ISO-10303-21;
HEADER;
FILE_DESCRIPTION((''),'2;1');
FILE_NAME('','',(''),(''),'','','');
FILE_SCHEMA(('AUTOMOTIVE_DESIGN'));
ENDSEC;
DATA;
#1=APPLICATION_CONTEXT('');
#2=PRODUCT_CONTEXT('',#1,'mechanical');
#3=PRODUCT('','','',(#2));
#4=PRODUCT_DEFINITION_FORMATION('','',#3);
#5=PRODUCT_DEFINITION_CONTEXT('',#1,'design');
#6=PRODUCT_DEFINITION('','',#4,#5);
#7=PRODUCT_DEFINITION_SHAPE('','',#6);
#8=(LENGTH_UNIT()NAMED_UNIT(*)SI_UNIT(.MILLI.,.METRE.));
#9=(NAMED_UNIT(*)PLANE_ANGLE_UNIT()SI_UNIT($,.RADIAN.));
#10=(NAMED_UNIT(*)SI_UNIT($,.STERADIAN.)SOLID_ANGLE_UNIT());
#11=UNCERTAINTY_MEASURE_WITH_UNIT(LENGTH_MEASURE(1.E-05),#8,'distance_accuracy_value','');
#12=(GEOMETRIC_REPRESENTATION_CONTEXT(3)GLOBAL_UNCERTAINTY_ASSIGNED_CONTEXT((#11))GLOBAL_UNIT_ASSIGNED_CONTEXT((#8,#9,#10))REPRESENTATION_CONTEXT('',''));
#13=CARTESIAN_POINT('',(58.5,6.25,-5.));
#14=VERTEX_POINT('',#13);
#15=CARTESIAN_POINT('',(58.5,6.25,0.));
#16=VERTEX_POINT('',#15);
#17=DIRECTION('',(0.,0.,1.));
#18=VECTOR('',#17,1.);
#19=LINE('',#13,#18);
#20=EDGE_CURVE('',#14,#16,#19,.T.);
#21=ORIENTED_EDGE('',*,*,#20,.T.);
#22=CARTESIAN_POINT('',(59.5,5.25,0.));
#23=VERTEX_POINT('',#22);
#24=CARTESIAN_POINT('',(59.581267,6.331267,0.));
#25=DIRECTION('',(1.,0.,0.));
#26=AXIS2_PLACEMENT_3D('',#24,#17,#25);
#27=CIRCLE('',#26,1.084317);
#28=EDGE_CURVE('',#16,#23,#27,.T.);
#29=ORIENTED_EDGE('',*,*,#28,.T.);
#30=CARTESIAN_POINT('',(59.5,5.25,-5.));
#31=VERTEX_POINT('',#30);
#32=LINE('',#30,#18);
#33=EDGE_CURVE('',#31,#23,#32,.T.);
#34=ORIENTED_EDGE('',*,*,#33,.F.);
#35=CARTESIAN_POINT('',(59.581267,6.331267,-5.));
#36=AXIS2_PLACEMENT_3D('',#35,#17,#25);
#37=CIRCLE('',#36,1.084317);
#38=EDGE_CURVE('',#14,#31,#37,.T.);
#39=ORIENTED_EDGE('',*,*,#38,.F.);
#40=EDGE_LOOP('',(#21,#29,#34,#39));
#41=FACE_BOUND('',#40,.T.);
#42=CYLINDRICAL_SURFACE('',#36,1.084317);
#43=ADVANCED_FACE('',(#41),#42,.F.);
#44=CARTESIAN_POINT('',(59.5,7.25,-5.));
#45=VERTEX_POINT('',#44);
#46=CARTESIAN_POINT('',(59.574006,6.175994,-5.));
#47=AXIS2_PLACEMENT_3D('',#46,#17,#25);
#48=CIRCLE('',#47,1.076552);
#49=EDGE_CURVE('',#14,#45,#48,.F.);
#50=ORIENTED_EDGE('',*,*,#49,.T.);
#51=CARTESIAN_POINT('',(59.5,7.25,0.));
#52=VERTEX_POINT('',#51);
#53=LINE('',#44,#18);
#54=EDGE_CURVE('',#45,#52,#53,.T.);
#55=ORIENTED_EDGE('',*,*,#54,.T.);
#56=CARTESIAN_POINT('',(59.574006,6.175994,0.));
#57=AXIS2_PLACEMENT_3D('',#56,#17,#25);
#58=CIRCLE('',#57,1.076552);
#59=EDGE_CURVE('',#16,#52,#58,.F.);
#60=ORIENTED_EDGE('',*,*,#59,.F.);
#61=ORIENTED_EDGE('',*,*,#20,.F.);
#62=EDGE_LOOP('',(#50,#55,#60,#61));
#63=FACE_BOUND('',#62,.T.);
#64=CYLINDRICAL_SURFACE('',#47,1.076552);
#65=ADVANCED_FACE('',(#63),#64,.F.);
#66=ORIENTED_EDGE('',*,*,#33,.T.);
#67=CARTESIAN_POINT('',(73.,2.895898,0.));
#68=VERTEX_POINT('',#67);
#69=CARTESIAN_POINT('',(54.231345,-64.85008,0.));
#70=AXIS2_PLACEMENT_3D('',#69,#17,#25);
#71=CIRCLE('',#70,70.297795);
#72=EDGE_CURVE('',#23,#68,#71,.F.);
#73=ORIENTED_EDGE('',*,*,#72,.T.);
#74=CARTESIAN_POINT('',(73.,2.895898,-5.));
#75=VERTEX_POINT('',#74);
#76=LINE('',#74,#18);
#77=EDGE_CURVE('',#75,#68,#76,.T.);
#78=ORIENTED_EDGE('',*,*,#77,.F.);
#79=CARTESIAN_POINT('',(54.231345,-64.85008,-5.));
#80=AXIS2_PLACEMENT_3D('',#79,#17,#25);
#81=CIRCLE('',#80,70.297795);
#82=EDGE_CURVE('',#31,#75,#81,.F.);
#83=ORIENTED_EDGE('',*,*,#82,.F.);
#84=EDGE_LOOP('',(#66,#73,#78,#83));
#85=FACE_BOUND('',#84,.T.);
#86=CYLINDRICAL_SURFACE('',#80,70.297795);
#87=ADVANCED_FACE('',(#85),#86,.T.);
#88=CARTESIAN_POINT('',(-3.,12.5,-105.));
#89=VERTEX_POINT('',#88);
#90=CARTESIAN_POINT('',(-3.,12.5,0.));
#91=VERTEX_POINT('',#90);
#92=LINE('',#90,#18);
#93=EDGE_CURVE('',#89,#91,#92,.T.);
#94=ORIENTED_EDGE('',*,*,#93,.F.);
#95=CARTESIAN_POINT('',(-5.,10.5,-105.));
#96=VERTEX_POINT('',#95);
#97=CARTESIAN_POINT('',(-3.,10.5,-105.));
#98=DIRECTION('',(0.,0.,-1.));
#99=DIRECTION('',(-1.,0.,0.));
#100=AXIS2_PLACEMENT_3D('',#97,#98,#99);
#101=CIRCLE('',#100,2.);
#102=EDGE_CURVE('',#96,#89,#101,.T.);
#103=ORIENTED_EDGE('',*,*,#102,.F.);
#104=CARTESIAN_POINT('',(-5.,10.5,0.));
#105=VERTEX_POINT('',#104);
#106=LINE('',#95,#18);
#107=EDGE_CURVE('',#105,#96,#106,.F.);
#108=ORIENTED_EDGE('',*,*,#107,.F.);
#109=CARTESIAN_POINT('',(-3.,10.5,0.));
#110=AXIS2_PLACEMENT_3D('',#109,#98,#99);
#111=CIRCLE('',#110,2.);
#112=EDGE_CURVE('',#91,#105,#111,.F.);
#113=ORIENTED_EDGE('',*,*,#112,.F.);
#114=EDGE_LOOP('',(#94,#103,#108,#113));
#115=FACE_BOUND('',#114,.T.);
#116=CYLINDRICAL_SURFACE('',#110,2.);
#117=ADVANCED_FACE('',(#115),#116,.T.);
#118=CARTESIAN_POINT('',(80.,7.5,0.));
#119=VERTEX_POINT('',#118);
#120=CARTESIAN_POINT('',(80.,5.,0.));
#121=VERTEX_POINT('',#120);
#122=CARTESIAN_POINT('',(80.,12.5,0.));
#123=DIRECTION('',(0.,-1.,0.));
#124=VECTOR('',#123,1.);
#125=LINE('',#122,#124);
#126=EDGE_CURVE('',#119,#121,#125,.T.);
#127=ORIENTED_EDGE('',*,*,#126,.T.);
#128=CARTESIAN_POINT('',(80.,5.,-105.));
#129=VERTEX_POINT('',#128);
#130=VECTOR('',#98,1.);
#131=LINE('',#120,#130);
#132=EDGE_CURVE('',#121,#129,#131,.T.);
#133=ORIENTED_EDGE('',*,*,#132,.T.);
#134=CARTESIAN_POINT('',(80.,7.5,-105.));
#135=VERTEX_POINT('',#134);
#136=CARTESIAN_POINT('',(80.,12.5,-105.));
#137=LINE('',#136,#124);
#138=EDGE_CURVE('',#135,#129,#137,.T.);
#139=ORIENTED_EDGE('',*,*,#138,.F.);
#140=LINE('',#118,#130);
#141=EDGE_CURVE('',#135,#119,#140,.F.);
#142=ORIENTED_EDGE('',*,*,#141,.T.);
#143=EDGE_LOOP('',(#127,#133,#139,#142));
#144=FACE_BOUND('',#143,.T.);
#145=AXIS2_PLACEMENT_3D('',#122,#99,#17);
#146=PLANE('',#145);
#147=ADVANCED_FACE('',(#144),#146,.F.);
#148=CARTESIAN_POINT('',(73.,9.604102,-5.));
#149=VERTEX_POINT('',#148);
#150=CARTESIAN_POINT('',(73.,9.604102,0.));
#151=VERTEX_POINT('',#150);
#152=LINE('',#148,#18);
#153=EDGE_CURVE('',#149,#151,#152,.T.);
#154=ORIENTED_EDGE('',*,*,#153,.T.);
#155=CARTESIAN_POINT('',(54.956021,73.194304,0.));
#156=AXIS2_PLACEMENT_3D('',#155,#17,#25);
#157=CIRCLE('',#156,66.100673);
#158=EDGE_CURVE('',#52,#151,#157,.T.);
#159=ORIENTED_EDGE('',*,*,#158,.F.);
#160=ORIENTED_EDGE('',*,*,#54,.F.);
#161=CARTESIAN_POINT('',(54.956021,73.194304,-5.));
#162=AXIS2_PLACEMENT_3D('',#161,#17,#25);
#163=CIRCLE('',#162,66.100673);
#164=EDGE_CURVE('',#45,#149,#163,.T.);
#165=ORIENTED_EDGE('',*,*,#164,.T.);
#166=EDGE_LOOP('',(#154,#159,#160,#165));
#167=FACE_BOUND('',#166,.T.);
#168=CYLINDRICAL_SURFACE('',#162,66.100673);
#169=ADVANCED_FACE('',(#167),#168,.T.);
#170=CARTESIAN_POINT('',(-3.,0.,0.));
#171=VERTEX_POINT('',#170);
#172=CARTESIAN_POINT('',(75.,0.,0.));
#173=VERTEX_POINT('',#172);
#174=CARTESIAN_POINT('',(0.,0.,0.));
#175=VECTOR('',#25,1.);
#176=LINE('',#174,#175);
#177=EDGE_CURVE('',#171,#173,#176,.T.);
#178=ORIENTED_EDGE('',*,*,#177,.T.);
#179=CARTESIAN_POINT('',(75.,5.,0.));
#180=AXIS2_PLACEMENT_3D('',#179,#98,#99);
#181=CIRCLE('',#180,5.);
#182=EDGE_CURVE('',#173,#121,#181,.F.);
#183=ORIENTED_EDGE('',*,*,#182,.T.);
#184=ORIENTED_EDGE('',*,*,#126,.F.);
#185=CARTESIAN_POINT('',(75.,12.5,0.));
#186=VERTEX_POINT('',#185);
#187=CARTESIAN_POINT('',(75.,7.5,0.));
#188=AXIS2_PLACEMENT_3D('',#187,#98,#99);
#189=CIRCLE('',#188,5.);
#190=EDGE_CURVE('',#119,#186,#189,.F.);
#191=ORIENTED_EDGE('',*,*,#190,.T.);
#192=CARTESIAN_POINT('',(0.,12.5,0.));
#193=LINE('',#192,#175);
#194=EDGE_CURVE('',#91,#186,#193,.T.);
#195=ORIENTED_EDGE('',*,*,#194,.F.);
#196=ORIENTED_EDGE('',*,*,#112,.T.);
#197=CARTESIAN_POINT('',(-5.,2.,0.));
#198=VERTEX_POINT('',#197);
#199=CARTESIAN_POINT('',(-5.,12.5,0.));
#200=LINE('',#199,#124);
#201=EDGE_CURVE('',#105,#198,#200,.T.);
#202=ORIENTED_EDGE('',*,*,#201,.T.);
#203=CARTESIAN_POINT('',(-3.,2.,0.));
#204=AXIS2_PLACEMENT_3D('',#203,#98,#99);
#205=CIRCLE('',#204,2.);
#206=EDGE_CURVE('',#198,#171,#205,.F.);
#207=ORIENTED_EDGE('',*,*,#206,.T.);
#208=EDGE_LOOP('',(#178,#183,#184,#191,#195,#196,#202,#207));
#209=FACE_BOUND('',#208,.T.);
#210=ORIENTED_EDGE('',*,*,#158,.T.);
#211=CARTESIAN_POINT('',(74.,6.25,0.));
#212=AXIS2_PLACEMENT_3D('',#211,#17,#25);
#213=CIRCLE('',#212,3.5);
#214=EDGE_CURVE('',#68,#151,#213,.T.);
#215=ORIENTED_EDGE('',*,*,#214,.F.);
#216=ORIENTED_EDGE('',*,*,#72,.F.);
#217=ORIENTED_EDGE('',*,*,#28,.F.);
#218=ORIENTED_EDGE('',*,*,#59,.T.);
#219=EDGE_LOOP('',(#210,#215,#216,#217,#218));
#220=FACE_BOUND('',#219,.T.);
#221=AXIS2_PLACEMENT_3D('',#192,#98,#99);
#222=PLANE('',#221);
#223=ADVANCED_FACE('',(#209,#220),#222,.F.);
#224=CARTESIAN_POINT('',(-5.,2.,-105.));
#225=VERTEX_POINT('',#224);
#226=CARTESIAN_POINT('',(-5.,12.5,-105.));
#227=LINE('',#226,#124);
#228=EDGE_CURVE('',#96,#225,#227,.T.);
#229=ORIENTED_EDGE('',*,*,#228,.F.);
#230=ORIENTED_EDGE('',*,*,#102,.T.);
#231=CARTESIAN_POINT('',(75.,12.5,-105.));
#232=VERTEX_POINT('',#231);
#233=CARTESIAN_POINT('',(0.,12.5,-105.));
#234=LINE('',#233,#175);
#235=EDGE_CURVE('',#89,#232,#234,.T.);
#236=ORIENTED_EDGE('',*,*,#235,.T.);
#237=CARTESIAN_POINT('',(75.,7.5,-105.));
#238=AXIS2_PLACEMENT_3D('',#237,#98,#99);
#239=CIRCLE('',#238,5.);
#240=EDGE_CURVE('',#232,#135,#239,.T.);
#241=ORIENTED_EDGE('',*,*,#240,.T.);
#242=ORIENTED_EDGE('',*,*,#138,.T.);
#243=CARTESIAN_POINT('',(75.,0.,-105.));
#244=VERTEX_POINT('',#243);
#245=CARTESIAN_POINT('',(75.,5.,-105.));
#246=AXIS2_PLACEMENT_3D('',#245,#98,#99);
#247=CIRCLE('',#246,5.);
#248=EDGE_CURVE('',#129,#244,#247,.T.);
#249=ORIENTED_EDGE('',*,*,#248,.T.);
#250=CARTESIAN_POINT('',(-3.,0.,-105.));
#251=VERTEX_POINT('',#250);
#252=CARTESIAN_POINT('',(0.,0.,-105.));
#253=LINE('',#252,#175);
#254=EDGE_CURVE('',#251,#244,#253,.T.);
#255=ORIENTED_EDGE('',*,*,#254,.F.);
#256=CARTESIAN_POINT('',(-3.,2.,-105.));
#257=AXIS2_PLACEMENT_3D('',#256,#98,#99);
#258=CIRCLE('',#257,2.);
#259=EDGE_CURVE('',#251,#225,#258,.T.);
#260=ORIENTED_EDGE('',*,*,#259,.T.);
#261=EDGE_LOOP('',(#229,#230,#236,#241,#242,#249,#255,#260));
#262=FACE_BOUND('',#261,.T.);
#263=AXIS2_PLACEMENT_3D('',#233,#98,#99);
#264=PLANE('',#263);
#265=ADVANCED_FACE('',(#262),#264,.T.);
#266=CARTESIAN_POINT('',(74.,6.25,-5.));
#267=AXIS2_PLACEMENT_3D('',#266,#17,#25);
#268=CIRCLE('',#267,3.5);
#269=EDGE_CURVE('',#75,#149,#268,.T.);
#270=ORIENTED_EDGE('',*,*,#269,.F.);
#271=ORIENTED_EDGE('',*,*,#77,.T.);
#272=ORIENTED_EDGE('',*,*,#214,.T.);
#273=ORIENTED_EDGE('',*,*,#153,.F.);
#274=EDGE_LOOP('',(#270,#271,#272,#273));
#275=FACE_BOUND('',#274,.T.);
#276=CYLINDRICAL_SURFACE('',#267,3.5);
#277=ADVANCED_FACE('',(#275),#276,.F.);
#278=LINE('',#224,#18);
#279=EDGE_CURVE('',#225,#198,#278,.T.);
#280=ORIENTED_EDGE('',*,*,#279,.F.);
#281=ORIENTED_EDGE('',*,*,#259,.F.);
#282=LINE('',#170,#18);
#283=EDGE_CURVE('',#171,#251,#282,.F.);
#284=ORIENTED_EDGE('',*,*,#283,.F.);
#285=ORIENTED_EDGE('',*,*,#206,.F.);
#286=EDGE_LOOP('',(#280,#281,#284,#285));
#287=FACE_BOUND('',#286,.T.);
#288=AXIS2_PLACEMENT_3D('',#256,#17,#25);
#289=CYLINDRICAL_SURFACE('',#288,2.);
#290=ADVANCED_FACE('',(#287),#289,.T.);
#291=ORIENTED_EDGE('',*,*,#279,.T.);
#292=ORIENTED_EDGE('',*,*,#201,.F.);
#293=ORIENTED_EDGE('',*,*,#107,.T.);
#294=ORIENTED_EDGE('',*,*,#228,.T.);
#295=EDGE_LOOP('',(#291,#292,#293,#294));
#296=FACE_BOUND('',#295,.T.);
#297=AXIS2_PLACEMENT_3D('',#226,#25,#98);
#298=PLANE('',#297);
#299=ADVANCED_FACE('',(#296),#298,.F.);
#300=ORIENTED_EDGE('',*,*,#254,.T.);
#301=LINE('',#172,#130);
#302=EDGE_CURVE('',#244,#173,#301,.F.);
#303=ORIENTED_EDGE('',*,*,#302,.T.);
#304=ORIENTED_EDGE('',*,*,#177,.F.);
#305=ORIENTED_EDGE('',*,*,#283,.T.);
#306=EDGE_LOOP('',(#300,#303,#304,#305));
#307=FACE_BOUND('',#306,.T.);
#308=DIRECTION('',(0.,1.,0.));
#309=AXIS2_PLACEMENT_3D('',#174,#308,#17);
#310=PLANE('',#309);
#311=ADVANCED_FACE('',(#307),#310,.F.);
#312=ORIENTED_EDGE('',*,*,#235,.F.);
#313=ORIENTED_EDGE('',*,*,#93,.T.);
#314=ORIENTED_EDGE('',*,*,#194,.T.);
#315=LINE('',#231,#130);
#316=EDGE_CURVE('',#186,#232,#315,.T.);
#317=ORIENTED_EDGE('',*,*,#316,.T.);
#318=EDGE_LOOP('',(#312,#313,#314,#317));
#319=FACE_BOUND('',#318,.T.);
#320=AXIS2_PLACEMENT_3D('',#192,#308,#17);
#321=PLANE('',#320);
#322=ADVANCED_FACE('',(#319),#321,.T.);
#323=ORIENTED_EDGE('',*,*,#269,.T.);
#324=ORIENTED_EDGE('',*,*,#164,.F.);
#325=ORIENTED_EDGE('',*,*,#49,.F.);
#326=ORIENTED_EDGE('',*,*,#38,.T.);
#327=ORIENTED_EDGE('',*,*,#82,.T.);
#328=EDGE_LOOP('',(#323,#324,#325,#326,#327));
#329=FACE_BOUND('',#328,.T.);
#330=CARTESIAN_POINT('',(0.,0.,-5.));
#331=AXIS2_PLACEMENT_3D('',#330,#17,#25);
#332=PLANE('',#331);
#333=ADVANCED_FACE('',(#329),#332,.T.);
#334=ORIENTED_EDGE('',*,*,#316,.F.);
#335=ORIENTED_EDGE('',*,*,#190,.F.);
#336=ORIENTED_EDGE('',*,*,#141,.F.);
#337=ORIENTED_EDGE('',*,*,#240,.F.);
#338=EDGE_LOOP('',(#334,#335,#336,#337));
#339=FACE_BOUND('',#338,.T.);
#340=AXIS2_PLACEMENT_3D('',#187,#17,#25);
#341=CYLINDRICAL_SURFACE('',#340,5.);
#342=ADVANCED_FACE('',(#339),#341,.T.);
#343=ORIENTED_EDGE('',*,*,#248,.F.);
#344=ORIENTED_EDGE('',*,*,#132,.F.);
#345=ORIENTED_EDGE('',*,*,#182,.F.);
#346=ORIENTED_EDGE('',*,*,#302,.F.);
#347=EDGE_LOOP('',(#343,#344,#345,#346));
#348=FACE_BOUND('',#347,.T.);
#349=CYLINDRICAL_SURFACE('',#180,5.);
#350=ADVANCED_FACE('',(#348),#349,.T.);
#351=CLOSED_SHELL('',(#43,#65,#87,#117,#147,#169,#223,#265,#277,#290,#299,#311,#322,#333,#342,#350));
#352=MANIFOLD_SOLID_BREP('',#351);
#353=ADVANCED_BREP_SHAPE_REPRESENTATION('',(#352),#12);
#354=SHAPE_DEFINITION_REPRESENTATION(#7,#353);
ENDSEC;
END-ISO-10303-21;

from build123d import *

# Parameters (mm, degrees)
SKETCH1_W           = 80
SKETCH1_H           = 105
SKETCH1_W_2         = 5
BOSS_EXTRUDE1_DEPTH = 12.5
CUT_EXTRUDE1_DEPTH  = 5
FILLET1_R           = 5
FILLET2_R           = 5
FILLET3_R           = 2


with BuildPart() as part:
    # Sketch1 → Boss-Extrude1 (new body)
    with BuildSketch(Plane(origin=(0, 0, 0), x_dir=(1, 0, 0), z_dir=(0, 1, 0))):
        with Locations((40, 52.5)):
            Rectangle(SKETCH1_W, SKETCH1_H)
        with Locations((-2.5, 52.5)):
            Rectangle(SKETCH1_W_2, SKETCH1_H)
    extrude(amount=BOSS_EXTRUDE1_DEPTH)

    # Sketch2 → Cut-Extrude1 (cut)
    with BuildSketch(Plane.XY):
        with BuildLine():
            ThreePointArc((73, 2.895898034), (76.091650066, 3.44375696), (77.5, 6.25))
            Line((77.5, 6.25), (74, 6.25))
            Line((74, 6.25), (73, 6.25))
            Line((73, 6.25), (73, 2.895898034))
        make_face()
        with BuildLine():
            Line((74, 6.25), (77.5, 6.25))
            ThreePointArc((77.5, 6.25), (76.091650066, 9.05624304), (73, 9.604101966))
            Line((73, 9.604101966), (73, 6.25))
            Line((73, 6.25), (74, 6.25))
        make_face()
        with BuildLine():
            Line((73, 6.25), (73, 9.604101966))
            ThreePointArc((73, 9.604101966), (71.19375696, 8.341650066), (70.5, 6.25))
            Line((70.5, 6.25), (73, 6.25))
        make_face()
        with BuildLine():
            ThreePointArc((70.5, 6.25), (71.19375696, 4.158349934), (73, 2.895898034))
            Line((73, 2.895898034), (73, 6.25))
            Line((73, 6.25), (70.5, 6.25))
        make_face()
        with BuildLine():
            ThreePointArc((59.5, 5.25), (66.307499895, 4.402691993), (73, 2.895898034))
            ThreePointArc((73, 2.895898034), (71.19375696, 4.158349934), (70.5, 6.25))
            Line((70.5, 6.25), (59.5, 6.25))
            Line((59.5, 6.25), (58.5, 6.25))
            ThreePointArc((58.5, 6.25), (58.814539324, 5.564539324), (59.5, 5.25))
        make_face()
        with BuildLine():
            ThreePointArc((70.5, 6.25), (71.19375696, 8.341650066), (73, 9.604101966))
            ThreePointArc((73, 9.604101966), (66.311170081, 8.076260701), (59.5, 7.25))
            ThreePointArc((59.5, 7.25), (58.812768212, 6.937231788), (58.5, 6.25))
            Line((58.5, 6.25), (59.5, 6.25))
            Line((59.5, 6.25), (70.5, 6.25))
        make_face()
    extrude(amount=-CUT_EXTRUDE1_DEPTH, mode=Mode.SUBTRACT)

    # Fillet1
    fillet1_edges = [part.edges().sort_by_distance(p)[0] for p in [
        (80, 0, -52.5),
    ]]
    fillet(fillet1_edges, radius=FILLET1_R)

    # Fillet2
    fillet2_edges = [part.edges().sort_by_distance(p)[0] for p in [
        (80, 12.5, -52.5),
    ]]
    fillet(fillet2_edges, radius=FILLET2_R)

    # Fillet3
    fillet3_edges = [part.edges().sort_by_distance(p)[0] for p in [
        (-5, 12.5, -52.5),
        (-5, 0, -52.5),
    ]]
    fillet(fillet3_edges, radius=FILLET3_R)


solid = part.part
